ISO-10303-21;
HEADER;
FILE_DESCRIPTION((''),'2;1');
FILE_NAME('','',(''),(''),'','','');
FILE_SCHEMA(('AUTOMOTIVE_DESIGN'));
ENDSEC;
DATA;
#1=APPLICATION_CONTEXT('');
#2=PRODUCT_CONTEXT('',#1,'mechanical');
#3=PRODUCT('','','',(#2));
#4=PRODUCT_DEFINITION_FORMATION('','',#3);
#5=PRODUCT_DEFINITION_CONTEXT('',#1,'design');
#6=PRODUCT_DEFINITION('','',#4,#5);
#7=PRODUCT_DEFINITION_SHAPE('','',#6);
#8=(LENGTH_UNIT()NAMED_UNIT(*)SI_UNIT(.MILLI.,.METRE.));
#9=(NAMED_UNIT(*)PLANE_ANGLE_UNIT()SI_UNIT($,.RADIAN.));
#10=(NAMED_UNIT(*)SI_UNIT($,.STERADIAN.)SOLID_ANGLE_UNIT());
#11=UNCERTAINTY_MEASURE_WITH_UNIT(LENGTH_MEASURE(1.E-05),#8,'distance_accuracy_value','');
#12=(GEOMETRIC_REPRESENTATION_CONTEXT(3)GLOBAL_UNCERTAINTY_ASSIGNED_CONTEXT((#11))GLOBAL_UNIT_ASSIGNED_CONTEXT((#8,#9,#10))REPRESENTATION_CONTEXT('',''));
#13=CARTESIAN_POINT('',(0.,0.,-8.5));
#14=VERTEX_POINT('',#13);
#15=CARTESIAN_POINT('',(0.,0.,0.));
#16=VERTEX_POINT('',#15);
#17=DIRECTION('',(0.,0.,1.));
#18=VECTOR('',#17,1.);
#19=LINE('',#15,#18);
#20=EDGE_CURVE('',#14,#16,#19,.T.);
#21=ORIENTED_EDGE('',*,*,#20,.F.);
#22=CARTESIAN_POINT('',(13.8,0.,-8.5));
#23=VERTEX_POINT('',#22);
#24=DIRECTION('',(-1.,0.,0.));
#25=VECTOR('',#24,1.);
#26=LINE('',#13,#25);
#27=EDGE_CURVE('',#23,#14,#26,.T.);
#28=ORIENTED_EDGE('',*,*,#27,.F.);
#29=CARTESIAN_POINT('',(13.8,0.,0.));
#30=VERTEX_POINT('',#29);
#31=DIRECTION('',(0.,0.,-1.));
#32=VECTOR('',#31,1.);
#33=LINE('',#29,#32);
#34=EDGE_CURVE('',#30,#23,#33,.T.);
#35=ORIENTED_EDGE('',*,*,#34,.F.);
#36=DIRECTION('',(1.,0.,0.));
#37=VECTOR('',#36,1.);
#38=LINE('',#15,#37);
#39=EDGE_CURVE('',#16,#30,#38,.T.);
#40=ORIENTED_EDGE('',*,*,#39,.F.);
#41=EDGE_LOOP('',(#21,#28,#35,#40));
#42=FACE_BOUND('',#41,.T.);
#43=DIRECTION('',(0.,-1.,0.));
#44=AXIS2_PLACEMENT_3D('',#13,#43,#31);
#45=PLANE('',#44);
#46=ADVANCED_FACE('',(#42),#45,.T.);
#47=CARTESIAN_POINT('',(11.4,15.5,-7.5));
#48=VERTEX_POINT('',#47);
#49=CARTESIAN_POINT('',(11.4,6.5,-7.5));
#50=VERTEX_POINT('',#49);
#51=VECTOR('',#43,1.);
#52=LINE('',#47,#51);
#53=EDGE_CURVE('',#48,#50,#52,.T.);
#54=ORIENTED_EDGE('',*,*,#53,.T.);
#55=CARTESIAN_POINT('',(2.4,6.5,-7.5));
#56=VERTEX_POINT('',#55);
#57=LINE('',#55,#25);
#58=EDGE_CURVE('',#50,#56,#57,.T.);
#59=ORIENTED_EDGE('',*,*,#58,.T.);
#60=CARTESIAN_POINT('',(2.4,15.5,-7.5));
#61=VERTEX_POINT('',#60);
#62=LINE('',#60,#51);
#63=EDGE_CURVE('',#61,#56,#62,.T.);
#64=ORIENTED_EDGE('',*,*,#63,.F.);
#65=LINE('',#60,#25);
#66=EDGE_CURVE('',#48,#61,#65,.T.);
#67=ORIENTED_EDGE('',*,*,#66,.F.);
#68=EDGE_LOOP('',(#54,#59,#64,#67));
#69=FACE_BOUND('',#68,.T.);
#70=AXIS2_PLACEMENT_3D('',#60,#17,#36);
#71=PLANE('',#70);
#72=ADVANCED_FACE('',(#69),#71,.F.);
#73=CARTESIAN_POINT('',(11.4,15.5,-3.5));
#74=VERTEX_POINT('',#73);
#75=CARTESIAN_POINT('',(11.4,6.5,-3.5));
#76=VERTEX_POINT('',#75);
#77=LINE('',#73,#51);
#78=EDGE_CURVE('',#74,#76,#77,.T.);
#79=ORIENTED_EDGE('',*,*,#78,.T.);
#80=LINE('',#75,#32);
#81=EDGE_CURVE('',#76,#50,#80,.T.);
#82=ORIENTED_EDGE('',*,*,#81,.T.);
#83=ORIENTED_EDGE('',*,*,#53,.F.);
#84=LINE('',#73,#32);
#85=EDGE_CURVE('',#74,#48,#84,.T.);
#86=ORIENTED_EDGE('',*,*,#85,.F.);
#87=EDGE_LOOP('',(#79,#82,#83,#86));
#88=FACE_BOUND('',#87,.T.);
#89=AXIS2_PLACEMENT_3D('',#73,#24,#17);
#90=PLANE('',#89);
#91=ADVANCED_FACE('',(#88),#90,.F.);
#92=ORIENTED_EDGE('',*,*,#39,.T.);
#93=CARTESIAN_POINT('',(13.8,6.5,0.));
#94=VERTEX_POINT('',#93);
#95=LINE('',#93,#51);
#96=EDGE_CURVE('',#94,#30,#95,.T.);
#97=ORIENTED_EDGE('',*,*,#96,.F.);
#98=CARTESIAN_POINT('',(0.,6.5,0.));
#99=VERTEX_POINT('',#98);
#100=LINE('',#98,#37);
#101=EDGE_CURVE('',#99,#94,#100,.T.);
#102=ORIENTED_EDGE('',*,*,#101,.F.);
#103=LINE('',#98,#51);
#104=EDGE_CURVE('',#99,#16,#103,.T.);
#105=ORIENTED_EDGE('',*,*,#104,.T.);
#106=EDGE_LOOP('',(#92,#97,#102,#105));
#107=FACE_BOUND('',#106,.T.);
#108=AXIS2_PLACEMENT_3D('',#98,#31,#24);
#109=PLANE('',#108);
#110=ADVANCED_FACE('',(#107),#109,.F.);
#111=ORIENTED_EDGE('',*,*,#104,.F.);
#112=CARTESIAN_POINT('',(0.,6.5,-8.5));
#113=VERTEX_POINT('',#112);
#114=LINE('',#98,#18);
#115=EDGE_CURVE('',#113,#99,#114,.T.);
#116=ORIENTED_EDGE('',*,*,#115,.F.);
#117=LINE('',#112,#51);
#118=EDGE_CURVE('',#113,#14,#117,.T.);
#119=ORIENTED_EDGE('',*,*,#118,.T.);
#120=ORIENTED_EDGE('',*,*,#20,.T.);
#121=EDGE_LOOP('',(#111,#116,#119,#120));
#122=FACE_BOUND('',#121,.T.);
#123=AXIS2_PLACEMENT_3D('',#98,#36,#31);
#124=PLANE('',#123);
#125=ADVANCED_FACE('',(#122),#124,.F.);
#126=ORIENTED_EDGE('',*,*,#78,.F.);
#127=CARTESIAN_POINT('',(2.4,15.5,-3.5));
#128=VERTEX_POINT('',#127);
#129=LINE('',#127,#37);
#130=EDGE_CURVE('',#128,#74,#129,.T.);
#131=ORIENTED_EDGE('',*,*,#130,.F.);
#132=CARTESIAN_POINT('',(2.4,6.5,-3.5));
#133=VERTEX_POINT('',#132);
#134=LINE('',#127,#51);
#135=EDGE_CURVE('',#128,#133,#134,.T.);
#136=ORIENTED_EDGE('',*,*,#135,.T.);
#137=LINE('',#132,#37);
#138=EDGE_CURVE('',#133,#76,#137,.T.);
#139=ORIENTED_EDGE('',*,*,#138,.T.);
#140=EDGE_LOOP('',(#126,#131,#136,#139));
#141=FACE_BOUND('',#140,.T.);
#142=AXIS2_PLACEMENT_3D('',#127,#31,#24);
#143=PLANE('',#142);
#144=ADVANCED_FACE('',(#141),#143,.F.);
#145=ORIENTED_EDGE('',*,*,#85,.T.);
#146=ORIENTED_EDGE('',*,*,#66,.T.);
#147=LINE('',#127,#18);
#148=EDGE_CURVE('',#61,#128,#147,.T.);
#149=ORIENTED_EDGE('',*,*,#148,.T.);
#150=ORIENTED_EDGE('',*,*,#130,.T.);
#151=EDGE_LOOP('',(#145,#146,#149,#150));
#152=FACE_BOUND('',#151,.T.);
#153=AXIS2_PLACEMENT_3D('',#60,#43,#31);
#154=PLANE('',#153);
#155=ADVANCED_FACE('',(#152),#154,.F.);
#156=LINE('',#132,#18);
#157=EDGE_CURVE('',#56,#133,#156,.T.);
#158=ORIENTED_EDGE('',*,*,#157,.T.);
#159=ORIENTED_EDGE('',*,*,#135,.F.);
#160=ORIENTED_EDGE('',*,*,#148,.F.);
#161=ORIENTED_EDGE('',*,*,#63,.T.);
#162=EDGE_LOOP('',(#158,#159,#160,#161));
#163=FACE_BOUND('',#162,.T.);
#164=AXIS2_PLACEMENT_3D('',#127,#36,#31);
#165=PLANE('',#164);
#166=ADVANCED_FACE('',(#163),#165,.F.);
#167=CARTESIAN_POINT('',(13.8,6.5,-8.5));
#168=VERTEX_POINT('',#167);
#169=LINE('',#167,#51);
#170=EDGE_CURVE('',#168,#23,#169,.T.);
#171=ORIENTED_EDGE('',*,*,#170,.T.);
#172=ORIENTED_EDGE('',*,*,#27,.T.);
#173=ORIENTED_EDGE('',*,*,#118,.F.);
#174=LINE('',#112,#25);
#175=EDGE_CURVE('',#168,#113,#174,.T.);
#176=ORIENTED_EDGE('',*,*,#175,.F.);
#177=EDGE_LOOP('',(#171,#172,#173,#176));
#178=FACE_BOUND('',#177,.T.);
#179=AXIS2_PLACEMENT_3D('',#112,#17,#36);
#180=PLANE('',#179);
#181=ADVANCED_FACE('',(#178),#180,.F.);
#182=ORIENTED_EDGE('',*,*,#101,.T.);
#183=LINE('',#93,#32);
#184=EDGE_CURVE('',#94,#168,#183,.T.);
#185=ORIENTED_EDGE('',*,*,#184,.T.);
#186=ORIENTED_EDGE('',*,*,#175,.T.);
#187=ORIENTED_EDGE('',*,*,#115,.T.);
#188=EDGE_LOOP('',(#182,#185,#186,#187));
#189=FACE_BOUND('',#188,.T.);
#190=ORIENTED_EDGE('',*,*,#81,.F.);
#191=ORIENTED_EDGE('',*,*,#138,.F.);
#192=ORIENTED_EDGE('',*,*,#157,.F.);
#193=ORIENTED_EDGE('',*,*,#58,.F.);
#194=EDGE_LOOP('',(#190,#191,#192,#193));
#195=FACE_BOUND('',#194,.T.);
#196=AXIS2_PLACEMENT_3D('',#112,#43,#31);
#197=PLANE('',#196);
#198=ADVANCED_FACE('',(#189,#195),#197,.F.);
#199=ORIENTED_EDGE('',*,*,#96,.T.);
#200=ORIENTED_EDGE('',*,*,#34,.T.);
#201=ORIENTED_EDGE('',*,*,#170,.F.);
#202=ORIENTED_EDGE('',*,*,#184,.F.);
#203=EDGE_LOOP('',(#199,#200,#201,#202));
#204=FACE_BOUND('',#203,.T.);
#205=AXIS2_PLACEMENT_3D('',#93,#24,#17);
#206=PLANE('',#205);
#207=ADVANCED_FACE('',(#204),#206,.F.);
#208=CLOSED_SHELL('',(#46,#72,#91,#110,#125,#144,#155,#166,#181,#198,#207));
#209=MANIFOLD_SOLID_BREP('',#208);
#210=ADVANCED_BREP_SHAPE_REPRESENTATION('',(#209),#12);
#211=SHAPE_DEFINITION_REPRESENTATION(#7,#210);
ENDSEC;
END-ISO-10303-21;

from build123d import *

# Parameters (mm, degrees)
SKETCH2_W           = 13.8
SKETCH2_H           = 8.5
BOSS_EXTRUDE1_DEPTH = 6.5
SKETCH5_W           = 9
SKETCH5_H           = 4
BOSS_EXTRUDE3_DEPTH = 9


with BuildPart() as part:
    # Sketch2 → Boss-Extrude1 (new body)
    with BuildSketch(Plane(origin=(0, 0, 0), x_dir=(1, 0, 0), z_dir=(0, 1, 0))):
        with Locations((6.9, 4.25)):
            Rectangle(SKETCH2_W, SKETCH2_H)
    extrude(amount=BOSS_EXTRUDE1_DEPTH)

    # Sketch5 → Boss-Extrude3 (add)
    with BuildSketch(Plane(origin=(0, 6.5, 0), x_dir=(-1, 0, 0), z_dir=(0, 1, 0))):
        with Locations((-6.9, -5.5)):
            Rectangle(SKETCH5_W, SKETCH5_H)
    extrude(amount=BOSS_EXTRUDE3_DEPTH)


solid = part.part
